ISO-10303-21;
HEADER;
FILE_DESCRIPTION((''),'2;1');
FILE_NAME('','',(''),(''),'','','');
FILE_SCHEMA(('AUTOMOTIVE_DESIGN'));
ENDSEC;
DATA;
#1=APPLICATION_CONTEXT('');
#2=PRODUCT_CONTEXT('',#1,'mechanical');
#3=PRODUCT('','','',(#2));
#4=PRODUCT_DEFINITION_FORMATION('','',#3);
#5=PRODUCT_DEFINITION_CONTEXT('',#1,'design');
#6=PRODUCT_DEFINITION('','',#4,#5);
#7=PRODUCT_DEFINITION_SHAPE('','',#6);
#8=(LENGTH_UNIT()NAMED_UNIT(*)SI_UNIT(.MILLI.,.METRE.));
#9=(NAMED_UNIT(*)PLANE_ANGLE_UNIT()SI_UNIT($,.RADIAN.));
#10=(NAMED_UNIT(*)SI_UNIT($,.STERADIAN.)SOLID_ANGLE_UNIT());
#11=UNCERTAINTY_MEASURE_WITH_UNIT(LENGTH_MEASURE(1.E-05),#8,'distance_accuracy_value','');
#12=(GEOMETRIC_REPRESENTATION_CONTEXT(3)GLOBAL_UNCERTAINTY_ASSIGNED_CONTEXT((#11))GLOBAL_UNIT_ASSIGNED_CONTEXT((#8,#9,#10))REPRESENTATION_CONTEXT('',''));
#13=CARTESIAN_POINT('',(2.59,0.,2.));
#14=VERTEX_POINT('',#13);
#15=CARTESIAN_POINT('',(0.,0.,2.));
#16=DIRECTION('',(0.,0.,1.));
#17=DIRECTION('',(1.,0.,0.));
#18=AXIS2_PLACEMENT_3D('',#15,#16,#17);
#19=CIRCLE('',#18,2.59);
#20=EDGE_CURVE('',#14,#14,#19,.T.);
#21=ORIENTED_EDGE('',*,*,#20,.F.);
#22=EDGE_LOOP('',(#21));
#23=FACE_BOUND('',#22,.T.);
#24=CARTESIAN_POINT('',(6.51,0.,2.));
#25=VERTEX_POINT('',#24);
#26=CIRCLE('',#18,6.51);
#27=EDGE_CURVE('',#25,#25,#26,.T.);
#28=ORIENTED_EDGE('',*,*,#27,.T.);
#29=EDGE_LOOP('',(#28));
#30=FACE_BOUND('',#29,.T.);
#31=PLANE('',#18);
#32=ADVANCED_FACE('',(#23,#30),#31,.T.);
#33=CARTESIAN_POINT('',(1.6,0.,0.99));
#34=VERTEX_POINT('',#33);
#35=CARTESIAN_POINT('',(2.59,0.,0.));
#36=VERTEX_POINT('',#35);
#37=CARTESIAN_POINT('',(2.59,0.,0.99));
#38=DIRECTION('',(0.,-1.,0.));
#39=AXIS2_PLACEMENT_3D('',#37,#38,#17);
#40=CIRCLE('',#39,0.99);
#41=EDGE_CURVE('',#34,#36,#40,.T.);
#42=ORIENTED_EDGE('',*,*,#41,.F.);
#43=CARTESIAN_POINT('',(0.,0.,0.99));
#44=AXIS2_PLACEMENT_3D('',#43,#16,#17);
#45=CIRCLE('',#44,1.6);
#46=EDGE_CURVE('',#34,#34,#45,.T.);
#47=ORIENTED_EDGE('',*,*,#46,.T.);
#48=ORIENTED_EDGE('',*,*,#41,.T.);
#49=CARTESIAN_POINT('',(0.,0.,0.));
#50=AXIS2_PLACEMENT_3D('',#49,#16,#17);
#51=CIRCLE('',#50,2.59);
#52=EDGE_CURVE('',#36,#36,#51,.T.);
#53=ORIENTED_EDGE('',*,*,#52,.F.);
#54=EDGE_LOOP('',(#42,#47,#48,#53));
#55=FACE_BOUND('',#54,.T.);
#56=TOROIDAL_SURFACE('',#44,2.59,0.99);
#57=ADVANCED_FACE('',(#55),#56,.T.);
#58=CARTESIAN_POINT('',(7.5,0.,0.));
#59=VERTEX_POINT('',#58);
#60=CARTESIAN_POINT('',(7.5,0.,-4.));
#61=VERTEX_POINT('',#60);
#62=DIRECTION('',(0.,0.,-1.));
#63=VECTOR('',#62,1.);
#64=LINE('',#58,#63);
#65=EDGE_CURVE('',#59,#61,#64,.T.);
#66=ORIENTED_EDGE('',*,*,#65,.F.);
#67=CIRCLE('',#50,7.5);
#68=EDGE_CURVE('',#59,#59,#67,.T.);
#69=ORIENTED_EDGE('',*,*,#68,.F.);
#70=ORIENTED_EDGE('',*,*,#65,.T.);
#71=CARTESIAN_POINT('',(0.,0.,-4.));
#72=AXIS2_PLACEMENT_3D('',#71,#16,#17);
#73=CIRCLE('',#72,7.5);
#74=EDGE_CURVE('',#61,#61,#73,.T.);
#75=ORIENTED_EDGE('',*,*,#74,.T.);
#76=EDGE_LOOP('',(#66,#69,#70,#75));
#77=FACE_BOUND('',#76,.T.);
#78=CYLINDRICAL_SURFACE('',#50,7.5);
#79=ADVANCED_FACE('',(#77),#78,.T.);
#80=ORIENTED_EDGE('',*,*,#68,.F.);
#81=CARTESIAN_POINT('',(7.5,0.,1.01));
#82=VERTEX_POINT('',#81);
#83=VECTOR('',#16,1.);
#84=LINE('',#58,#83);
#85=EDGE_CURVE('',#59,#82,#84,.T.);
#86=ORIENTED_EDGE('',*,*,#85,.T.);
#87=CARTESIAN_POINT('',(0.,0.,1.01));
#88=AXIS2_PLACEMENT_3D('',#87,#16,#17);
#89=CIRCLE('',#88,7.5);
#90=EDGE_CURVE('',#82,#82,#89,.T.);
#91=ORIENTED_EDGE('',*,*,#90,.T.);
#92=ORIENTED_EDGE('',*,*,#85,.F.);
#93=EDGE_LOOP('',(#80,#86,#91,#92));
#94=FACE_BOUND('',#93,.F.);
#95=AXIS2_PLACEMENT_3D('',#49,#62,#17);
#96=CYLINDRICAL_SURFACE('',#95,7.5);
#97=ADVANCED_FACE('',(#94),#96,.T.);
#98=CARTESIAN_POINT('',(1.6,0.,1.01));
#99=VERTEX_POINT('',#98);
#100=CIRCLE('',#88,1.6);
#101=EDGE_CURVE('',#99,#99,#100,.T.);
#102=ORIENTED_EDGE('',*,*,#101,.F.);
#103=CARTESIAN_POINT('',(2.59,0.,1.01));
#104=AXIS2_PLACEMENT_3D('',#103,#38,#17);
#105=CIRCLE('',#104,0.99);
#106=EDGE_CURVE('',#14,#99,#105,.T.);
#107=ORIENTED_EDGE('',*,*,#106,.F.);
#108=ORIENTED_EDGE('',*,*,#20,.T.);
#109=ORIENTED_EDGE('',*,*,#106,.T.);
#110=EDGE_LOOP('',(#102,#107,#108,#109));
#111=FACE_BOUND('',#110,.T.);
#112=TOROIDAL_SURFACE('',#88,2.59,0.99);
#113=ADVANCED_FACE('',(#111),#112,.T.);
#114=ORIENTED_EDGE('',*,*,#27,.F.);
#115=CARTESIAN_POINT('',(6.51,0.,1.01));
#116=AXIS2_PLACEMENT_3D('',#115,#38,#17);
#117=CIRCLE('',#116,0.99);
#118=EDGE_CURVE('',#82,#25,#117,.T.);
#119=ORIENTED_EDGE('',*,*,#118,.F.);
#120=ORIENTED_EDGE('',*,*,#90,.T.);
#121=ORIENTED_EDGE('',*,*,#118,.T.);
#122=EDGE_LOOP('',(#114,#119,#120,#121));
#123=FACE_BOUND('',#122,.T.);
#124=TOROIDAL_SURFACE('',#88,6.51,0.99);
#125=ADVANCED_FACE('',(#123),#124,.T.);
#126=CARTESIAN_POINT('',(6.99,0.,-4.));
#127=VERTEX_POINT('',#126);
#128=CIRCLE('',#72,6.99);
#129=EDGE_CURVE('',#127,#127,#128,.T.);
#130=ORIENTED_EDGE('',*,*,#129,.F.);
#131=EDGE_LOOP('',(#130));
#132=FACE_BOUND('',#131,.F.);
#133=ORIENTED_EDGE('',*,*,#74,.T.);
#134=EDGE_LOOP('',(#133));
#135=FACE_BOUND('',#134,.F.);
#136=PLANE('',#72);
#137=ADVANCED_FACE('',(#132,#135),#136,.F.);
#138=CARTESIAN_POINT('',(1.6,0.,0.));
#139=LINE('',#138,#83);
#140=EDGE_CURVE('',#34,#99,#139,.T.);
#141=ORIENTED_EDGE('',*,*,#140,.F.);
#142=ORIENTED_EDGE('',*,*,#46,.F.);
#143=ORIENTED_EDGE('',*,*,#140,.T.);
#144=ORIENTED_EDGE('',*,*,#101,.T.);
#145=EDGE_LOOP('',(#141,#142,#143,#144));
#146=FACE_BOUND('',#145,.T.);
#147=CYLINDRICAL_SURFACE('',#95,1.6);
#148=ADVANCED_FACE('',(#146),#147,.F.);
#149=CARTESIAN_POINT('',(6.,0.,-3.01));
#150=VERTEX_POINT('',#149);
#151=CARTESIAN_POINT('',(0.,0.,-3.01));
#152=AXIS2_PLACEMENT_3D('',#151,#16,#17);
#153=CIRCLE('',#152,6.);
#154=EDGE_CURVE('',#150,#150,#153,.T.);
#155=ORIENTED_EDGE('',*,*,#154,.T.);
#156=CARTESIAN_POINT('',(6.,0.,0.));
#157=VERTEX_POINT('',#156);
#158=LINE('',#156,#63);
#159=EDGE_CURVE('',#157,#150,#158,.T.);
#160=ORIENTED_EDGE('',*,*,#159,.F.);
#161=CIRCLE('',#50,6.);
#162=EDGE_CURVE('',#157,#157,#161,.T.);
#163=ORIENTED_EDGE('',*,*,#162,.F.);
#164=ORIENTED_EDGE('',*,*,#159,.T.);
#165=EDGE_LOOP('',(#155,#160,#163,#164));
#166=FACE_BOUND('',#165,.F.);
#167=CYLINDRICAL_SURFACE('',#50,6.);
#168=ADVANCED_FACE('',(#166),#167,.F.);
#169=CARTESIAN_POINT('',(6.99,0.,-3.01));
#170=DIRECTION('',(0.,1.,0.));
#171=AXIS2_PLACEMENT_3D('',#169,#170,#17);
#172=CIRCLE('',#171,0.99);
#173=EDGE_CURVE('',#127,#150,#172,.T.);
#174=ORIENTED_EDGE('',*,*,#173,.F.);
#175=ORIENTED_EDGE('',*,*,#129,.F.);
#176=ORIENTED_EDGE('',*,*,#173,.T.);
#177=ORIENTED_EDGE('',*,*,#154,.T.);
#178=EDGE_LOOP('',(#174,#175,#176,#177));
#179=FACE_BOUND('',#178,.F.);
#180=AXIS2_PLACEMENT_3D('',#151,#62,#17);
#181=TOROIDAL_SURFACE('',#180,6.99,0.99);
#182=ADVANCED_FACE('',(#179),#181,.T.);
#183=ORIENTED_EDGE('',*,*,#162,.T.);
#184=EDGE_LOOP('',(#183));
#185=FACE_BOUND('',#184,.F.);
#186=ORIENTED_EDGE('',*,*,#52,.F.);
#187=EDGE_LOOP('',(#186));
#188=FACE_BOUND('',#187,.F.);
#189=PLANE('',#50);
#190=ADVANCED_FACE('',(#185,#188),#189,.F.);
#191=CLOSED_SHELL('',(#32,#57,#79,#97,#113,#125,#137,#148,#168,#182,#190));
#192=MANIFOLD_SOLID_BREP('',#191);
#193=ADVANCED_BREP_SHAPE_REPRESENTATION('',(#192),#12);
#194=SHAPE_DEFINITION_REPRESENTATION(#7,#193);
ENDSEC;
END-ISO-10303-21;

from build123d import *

# Parameters (mm, degrees)
SKETCH_R      = 7.5
SKETCH_R_2    = 6
PAD_DEPTH     = 4
SKETCH001_R   = 7.5
SKETCH001_R_2 = 1.6
PAD001_DEPTH  = 2
FILLET_R      = 0.99


with BuildPart() as part:
    # Sketch → Pad (new body)
    with BuildSketch(Plane.XY):
        Circle(SKETCH_R)
        Circle(SKETCH_R_2, mode=Mode.SUBTRACT)
    extrude(amount=-PAD_DEPTH)

    # Sketch001 → Pad001 (join)
    with BuildSketch(Plane.XY):
        Circle(SKETCH001_R)
        Circle(SKETCH001_R_2, mode=Mode.SUBTRACT)
    extrude(amount=PAD001_DEPTH)

    # Fillet
    fillet_edges = [part.edges().sort_by_distance(p)[0] for p in [
        (-1.6, 0, 2),
        (-1.6, 0, 0),
        (-7.5, 0, 2),
        (-6, 0, -4),
    ]]
    fillet(fillet_edges, radius=FILLET_R)


solid = part.part
